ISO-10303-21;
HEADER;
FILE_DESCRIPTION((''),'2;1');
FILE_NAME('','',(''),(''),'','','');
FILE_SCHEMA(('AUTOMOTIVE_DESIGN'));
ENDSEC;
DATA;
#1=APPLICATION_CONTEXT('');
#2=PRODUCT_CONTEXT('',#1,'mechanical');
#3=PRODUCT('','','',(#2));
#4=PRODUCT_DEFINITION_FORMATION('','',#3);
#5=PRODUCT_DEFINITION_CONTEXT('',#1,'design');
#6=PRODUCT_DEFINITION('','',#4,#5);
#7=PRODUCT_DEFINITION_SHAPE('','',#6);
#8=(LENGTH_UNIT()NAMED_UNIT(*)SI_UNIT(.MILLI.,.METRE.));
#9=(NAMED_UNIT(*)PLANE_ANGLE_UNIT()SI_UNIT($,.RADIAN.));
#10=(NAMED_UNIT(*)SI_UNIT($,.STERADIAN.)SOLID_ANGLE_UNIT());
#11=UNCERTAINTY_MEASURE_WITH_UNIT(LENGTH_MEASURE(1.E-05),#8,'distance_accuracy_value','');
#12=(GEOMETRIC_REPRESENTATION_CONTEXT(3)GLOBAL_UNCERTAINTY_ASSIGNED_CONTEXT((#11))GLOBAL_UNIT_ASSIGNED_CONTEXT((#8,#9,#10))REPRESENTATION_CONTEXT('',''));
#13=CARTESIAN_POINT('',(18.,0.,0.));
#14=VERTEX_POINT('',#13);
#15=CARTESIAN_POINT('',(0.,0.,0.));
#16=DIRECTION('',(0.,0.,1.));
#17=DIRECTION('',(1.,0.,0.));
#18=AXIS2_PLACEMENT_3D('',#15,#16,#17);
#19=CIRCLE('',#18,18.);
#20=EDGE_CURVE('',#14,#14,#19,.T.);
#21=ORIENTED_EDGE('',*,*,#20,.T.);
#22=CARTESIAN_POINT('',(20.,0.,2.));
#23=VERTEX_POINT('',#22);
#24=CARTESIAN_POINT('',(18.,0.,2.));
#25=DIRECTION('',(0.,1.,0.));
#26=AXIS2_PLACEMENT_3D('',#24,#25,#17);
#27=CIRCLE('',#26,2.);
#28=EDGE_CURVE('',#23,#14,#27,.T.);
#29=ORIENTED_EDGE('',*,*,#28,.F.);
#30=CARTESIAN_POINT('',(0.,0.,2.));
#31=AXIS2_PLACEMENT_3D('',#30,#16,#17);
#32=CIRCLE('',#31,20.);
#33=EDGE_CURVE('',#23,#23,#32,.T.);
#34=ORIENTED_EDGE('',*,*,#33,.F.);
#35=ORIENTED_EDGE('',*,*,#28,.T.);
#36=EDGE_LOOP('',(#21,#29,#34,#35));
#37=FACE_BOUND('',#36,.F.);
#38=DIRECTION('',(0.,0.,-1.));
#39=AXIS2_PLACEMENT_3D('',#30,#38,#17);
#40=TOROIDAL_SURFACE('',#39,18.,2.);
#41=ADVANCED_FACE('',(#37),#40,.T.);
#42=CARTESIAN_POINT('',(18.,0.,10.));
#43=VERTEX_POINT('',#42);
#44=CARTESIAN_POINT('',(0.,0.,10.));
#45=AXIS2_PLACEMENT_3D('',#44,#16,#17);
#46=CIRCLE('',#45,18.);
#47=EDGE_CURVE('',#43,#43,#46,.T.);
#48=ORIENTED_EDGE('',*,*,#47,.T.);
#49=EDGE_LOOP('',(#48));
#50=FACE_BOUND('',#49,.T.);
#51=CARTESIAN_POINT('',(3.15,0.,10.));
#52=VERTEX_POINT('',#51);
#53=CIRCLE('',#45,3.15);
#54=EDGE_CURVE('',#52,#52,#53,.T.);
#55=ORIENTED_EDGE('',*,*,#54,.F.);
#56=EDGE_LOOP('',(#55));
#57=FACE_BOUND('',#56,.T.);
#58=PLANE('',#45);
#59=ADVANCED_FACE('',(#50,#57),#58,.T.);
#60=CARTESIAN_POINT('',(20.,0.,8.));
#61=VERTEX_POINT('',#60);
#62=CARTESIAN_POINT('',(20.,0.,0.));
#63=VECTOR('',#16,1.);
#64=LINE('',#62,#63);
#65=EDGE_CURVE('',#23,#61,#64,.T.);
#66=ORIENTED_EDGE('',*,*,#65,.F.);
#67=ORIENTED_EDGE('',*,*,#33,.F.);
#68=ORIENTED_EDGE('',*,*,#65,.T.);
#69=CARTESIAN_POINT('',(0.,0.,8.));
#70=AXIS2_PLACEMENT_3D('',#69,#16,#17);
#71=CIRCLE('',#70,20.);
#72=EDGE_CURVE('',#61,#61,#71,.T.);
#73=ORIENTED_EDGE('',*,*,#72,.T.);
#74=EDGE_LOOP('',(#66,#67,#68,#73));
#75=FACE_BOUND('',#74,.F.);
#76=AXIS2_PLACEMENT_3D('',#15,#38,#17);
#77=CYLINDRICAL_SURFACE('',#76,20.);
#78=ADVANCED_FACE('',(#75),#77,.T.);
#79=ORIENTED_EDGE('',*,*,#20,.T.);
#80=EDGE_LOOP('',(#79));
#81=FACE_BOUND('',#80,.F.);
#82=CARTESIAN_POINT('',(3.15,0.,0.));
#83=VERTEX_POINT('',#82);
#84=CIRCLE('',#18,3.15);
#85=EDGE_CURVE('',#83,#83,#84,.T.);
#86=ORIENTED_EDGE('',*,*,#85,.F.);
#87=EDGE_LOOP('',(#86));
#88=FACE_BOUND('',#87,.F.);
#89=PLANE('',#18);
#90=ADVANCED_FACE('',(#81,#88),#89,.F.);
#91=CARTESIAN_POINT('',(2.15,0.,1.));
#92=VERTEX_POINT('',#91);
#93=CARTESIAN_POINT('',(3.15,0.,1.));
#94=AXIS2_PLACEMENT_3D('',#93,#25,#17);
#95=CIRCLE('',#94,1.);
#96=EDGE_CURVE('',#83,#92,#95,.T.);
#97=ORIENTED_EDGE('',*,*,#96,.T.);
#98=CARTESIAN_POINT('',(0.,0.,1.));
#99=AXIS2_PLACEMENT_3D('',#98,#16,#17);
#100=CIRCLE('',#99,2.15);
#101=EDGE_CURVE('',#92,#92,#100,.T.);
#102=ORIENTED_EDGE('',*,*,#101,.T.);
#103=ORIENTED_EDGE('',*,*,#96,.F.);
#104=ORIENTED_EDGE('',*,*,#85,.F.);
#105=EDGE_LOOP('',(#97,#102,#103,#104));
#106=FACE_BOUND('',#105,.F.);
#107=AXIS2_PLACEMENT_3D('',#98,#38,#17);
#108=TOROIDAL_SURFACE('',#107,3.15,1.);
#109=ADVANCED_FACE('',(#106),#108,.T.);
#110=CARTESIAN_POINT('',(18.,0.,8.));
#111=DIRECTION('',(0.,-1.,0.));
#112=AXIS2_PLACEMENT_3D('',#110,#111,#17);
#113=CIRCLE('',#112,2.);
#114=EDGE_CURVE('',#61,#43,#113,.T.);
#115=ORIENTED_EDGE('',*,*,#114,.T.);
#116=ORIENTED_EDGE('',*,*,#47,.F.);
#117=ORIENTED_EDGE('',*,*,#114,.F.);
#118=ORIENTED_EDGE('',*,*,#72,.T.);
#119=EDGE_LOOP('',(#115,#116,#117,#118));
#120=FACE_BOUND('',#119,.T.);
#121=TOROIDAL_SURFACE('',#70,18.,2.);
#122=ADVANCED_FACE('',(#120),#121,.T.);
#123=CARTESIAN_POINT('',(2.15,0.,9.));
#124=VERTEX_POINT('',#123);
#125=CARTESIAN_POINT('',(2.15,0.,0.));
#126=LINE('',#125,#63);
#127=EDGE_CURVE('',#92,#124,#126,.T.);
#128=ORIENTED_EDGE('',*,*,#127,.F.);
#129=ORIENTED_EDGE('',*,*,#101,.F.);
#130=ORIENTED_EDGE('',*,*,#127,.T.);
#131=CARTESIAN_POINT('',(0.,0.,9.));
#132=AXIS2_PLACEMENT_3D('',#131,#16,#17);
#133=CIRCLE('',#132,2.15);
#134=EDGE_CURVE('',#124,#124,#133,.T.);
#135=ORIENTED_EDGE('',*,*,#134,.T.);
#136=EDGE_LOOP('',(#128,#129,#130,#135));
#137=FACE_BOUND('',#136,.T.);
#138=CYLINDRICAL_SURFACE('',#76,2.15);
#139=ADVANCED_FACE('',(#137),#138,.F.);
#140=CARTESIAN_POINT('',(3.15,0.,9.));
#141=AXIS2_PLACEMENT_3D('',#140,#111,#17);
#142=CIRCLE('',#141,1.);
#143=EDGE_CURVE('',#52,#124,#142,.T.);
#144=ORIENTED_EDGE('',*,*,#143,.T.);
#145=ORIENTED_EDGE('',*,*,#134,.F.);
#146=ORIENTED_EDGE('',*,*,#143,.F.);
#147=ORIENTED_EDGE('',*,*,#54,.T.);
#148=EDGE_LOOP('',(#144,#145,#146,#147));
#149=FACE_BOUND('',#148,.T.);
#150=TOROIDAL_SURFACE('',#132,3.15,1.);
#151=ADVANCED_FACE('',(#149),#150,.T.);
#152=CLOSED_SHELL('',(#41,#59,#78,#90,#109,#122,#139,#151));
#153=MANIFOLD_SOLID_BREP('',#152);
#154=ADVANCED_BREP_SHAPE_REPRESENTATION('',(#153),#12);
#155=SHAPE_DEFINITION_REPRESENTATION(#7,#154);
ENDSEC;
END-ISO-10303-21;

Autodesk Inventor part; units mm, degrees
ref_plane "YZ Plane" through (0, 0, 0) normal (1, 0, 0) x (0, 1, 0)
ref_plane "XZ Plane" through (0, 0, 0) normal (0, 1, 0) x (-1, 0, 0)
ref_plane "XY Plane" through (0, 0, 0) normal (0, 0, 1) x (1, 0, 0)
sketch "Sketch1" plane through (0, 0, 0) normal (0, 0, 1) x (1, 0, 0)
  circle A0 centre (0, 0) radius 2.15
  circle A1 centre (0, 0) radius 20
  dimension "d0" = 4.3
  dimension "d1" = 40
extrude "Extrusion1" add sketch "Sketch1" along normal blind 10
fillet "Fillet1" radius 2 2 edges at (-20, 0, 10) (-20, 0, 0)
fillet "Fillet2" radius 1 2 edges at (-2.15, 0, 10) (-2.15, 0, 0)
properties part number "roller"
